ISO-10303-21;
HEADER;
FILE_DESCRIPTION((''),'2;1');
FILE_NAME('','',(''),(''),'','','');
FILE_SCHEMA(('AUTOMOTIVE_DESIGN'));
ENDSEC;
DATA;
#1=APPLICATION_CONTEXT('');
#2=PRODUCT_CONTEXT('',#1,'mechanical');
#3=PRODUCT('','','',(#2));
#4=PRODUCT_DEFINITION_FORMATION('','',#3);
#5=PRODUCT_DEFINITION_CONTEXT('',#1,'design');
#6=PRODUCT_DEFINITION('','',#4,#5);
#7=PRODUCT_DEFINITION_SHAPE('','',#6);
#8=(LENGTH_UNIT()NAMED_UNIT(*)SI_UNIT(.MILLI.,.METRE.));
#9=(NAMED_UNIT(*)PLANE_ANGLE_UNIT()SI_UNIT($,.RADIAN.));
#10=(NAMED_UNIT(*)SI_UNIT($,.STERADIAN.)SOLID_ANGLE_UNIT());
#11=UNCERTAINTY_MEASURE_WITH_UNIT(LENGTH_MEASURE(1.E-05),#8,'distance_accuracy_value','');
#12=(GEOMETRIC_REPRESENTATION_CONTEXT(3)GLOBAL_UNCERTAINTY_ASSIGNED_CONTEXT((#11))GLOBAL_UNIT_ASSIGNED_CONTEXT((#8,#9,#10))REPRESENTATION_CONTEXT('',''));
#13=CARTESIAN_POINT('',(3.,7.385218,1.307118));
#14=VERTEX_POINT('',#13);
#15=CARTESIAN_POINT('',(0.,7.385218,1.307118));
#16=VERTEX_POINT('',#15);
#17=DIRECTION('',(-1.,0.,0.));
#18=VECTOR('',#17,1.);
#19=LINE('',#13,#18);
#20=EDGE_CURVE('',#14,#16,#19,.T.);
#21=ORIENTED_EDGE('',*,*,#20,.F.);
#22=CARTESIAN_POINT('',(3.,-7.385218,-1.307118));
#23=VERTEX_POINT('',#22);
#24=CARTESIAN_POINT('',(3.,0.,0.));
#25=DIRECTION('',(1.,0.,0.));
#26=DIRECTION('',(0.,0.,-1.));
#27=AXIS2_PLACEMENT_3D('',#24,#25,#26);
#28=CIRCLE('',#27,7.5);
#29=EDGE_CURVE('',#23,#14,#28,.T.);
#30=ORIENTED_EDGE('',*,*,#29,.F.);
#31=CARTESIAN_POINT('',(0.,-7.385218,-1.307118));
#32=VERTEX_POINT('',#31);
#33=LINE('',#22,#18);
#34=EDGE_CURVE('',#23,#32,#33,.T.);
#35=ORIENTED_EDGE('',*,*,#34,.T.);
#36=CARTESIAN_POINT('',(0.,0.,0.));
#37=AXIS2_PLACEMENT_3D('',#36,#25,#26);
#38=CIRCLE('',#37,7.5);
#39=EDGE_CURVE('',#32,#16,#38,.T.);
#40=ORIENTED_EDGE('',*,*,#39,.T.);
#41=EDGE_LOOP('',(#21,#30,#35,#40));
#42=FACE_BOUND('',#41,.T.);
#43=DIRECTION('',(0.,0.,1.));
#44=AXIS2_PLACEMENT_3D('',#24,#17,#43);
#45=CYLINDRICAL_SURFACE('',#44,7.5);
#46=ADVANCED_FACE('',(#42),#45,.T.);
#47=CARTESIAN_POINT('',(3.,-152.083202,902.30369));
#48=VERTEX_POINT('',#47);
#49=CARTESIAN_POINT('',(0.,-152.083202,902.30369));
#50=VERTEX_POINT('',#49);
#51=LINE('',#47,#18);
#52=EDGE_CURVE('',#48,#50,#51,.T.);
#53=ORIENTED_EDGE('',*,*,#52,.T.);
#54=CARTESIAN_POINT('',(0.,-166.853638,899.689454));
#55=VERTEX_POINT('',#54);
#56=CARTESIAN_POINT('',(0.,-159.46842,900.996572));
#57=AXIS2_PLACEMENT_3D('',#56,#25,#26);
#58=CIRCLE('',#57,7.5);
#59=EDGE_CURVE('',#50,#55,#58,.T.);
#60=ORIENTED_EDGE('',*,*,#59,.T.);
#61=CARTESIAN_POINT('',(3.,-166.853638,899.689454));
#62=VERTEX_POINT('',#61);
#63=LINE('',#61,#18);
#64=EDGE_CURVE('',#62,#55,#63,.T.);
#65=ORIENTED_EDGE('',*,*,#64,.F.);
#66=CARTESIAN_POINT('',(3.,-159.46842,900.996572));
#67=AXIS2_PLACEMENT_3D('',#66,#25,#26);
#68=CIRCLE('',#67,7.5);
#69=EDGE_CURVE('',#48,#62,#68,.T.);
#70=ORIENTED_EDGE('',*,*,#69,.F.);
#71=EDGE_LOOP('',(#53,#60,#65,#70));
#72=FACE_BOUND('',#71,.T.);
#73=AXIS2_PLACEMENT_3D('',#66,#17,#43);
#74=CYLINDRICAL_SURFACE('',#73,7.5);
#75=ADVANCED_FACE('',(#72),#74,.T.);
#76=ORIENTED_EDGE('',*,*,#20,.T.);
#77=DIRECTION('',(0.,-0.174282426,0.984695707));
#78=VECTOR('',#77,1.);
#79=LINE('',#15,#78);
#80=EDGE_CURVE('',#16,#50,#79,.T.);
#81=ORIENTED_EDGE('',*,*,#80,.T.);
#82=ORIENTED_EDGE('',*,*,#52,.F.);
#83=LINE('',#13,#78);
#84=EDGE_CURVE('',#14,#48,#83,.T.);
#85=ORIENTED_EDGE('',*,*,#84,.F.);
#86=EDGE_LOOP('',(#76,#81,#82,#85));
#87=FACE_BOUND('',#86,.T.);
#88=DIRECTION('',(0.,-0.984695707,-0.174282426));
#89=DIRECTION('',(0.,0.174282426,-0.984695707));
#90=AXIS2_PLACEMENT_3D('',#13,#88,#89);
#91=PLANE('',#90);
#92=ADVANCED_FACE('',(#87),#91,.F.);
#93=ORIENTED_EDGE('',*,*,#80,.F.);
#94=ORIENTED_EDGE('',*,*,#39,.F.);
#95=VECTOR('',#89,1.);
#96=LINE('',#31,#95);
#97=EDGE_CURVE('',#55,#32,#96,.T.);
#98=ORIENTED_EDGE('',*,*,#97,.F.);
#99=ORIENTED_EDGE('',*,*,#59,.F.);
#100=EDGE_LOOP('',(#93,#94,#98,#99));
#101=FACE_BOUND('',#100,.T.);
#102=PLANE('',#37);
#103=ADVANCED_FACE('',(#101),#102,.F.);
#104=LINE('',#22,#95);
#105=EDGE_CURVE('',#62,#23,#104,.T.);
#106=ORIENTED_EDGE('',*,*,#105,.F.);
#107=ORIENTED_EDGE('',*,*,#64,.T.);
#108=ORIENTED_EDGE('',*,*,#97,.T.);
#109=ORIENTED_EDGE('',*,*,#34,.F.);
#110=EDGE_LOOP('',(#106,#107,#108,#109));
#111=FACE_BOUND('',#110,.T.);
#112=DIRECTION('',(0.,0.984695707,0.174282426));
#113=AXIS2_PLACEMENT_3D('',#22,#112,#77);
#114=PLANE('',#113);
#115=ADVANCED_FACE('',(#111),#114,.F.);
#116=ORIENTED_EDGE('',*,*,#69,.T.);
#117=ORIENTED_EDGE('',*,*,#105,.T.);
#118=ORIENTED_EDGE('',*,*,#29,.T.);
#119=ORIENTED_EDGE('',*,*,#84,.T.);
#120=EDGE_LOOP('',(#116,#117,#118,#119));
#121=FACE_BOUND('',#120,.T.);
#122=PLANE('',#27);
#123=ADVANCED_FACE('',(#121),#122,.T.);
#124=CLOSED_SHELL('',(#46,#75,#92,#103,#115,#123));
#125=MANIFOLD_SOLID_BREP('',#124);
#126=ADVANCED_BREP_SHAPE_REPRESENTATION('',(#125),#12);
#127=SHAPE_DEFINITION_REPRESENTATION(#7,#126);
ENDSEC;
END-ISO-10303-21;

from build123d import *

# Parameters (mm, degrees)
BOSS_EXTRUDE1_DEPTH = 3


with BuildPart() as part:
    # Sketch1 → Boss-Extrude1 (new body)
    with BuildSketch(Plane(origin=(0, 0, 0), x_dir=(0, 0, -1), z_dir=(1, 0, 0))):
        with BuildLine():
            Line((1.307118196, -7.385217805), (-899.689453978, -166.853637659))
            ThreePointArc((-899.689453978, -166.853637659), (-908.381789979, -160.775538049), (-902.30369037, -152.083202049))
            Line((-902.30369037, -152.083202049), (-1.307118196, 7.385217805))
            ThreePointArc((-1.307118196, 7.385217805), (7.385217805, 1.307118196), (1.307118196, -7.385217805))
        make_face()
    extrude(amount=BOSS_EXTRUDE1_DEPTH)


solid = part.part
